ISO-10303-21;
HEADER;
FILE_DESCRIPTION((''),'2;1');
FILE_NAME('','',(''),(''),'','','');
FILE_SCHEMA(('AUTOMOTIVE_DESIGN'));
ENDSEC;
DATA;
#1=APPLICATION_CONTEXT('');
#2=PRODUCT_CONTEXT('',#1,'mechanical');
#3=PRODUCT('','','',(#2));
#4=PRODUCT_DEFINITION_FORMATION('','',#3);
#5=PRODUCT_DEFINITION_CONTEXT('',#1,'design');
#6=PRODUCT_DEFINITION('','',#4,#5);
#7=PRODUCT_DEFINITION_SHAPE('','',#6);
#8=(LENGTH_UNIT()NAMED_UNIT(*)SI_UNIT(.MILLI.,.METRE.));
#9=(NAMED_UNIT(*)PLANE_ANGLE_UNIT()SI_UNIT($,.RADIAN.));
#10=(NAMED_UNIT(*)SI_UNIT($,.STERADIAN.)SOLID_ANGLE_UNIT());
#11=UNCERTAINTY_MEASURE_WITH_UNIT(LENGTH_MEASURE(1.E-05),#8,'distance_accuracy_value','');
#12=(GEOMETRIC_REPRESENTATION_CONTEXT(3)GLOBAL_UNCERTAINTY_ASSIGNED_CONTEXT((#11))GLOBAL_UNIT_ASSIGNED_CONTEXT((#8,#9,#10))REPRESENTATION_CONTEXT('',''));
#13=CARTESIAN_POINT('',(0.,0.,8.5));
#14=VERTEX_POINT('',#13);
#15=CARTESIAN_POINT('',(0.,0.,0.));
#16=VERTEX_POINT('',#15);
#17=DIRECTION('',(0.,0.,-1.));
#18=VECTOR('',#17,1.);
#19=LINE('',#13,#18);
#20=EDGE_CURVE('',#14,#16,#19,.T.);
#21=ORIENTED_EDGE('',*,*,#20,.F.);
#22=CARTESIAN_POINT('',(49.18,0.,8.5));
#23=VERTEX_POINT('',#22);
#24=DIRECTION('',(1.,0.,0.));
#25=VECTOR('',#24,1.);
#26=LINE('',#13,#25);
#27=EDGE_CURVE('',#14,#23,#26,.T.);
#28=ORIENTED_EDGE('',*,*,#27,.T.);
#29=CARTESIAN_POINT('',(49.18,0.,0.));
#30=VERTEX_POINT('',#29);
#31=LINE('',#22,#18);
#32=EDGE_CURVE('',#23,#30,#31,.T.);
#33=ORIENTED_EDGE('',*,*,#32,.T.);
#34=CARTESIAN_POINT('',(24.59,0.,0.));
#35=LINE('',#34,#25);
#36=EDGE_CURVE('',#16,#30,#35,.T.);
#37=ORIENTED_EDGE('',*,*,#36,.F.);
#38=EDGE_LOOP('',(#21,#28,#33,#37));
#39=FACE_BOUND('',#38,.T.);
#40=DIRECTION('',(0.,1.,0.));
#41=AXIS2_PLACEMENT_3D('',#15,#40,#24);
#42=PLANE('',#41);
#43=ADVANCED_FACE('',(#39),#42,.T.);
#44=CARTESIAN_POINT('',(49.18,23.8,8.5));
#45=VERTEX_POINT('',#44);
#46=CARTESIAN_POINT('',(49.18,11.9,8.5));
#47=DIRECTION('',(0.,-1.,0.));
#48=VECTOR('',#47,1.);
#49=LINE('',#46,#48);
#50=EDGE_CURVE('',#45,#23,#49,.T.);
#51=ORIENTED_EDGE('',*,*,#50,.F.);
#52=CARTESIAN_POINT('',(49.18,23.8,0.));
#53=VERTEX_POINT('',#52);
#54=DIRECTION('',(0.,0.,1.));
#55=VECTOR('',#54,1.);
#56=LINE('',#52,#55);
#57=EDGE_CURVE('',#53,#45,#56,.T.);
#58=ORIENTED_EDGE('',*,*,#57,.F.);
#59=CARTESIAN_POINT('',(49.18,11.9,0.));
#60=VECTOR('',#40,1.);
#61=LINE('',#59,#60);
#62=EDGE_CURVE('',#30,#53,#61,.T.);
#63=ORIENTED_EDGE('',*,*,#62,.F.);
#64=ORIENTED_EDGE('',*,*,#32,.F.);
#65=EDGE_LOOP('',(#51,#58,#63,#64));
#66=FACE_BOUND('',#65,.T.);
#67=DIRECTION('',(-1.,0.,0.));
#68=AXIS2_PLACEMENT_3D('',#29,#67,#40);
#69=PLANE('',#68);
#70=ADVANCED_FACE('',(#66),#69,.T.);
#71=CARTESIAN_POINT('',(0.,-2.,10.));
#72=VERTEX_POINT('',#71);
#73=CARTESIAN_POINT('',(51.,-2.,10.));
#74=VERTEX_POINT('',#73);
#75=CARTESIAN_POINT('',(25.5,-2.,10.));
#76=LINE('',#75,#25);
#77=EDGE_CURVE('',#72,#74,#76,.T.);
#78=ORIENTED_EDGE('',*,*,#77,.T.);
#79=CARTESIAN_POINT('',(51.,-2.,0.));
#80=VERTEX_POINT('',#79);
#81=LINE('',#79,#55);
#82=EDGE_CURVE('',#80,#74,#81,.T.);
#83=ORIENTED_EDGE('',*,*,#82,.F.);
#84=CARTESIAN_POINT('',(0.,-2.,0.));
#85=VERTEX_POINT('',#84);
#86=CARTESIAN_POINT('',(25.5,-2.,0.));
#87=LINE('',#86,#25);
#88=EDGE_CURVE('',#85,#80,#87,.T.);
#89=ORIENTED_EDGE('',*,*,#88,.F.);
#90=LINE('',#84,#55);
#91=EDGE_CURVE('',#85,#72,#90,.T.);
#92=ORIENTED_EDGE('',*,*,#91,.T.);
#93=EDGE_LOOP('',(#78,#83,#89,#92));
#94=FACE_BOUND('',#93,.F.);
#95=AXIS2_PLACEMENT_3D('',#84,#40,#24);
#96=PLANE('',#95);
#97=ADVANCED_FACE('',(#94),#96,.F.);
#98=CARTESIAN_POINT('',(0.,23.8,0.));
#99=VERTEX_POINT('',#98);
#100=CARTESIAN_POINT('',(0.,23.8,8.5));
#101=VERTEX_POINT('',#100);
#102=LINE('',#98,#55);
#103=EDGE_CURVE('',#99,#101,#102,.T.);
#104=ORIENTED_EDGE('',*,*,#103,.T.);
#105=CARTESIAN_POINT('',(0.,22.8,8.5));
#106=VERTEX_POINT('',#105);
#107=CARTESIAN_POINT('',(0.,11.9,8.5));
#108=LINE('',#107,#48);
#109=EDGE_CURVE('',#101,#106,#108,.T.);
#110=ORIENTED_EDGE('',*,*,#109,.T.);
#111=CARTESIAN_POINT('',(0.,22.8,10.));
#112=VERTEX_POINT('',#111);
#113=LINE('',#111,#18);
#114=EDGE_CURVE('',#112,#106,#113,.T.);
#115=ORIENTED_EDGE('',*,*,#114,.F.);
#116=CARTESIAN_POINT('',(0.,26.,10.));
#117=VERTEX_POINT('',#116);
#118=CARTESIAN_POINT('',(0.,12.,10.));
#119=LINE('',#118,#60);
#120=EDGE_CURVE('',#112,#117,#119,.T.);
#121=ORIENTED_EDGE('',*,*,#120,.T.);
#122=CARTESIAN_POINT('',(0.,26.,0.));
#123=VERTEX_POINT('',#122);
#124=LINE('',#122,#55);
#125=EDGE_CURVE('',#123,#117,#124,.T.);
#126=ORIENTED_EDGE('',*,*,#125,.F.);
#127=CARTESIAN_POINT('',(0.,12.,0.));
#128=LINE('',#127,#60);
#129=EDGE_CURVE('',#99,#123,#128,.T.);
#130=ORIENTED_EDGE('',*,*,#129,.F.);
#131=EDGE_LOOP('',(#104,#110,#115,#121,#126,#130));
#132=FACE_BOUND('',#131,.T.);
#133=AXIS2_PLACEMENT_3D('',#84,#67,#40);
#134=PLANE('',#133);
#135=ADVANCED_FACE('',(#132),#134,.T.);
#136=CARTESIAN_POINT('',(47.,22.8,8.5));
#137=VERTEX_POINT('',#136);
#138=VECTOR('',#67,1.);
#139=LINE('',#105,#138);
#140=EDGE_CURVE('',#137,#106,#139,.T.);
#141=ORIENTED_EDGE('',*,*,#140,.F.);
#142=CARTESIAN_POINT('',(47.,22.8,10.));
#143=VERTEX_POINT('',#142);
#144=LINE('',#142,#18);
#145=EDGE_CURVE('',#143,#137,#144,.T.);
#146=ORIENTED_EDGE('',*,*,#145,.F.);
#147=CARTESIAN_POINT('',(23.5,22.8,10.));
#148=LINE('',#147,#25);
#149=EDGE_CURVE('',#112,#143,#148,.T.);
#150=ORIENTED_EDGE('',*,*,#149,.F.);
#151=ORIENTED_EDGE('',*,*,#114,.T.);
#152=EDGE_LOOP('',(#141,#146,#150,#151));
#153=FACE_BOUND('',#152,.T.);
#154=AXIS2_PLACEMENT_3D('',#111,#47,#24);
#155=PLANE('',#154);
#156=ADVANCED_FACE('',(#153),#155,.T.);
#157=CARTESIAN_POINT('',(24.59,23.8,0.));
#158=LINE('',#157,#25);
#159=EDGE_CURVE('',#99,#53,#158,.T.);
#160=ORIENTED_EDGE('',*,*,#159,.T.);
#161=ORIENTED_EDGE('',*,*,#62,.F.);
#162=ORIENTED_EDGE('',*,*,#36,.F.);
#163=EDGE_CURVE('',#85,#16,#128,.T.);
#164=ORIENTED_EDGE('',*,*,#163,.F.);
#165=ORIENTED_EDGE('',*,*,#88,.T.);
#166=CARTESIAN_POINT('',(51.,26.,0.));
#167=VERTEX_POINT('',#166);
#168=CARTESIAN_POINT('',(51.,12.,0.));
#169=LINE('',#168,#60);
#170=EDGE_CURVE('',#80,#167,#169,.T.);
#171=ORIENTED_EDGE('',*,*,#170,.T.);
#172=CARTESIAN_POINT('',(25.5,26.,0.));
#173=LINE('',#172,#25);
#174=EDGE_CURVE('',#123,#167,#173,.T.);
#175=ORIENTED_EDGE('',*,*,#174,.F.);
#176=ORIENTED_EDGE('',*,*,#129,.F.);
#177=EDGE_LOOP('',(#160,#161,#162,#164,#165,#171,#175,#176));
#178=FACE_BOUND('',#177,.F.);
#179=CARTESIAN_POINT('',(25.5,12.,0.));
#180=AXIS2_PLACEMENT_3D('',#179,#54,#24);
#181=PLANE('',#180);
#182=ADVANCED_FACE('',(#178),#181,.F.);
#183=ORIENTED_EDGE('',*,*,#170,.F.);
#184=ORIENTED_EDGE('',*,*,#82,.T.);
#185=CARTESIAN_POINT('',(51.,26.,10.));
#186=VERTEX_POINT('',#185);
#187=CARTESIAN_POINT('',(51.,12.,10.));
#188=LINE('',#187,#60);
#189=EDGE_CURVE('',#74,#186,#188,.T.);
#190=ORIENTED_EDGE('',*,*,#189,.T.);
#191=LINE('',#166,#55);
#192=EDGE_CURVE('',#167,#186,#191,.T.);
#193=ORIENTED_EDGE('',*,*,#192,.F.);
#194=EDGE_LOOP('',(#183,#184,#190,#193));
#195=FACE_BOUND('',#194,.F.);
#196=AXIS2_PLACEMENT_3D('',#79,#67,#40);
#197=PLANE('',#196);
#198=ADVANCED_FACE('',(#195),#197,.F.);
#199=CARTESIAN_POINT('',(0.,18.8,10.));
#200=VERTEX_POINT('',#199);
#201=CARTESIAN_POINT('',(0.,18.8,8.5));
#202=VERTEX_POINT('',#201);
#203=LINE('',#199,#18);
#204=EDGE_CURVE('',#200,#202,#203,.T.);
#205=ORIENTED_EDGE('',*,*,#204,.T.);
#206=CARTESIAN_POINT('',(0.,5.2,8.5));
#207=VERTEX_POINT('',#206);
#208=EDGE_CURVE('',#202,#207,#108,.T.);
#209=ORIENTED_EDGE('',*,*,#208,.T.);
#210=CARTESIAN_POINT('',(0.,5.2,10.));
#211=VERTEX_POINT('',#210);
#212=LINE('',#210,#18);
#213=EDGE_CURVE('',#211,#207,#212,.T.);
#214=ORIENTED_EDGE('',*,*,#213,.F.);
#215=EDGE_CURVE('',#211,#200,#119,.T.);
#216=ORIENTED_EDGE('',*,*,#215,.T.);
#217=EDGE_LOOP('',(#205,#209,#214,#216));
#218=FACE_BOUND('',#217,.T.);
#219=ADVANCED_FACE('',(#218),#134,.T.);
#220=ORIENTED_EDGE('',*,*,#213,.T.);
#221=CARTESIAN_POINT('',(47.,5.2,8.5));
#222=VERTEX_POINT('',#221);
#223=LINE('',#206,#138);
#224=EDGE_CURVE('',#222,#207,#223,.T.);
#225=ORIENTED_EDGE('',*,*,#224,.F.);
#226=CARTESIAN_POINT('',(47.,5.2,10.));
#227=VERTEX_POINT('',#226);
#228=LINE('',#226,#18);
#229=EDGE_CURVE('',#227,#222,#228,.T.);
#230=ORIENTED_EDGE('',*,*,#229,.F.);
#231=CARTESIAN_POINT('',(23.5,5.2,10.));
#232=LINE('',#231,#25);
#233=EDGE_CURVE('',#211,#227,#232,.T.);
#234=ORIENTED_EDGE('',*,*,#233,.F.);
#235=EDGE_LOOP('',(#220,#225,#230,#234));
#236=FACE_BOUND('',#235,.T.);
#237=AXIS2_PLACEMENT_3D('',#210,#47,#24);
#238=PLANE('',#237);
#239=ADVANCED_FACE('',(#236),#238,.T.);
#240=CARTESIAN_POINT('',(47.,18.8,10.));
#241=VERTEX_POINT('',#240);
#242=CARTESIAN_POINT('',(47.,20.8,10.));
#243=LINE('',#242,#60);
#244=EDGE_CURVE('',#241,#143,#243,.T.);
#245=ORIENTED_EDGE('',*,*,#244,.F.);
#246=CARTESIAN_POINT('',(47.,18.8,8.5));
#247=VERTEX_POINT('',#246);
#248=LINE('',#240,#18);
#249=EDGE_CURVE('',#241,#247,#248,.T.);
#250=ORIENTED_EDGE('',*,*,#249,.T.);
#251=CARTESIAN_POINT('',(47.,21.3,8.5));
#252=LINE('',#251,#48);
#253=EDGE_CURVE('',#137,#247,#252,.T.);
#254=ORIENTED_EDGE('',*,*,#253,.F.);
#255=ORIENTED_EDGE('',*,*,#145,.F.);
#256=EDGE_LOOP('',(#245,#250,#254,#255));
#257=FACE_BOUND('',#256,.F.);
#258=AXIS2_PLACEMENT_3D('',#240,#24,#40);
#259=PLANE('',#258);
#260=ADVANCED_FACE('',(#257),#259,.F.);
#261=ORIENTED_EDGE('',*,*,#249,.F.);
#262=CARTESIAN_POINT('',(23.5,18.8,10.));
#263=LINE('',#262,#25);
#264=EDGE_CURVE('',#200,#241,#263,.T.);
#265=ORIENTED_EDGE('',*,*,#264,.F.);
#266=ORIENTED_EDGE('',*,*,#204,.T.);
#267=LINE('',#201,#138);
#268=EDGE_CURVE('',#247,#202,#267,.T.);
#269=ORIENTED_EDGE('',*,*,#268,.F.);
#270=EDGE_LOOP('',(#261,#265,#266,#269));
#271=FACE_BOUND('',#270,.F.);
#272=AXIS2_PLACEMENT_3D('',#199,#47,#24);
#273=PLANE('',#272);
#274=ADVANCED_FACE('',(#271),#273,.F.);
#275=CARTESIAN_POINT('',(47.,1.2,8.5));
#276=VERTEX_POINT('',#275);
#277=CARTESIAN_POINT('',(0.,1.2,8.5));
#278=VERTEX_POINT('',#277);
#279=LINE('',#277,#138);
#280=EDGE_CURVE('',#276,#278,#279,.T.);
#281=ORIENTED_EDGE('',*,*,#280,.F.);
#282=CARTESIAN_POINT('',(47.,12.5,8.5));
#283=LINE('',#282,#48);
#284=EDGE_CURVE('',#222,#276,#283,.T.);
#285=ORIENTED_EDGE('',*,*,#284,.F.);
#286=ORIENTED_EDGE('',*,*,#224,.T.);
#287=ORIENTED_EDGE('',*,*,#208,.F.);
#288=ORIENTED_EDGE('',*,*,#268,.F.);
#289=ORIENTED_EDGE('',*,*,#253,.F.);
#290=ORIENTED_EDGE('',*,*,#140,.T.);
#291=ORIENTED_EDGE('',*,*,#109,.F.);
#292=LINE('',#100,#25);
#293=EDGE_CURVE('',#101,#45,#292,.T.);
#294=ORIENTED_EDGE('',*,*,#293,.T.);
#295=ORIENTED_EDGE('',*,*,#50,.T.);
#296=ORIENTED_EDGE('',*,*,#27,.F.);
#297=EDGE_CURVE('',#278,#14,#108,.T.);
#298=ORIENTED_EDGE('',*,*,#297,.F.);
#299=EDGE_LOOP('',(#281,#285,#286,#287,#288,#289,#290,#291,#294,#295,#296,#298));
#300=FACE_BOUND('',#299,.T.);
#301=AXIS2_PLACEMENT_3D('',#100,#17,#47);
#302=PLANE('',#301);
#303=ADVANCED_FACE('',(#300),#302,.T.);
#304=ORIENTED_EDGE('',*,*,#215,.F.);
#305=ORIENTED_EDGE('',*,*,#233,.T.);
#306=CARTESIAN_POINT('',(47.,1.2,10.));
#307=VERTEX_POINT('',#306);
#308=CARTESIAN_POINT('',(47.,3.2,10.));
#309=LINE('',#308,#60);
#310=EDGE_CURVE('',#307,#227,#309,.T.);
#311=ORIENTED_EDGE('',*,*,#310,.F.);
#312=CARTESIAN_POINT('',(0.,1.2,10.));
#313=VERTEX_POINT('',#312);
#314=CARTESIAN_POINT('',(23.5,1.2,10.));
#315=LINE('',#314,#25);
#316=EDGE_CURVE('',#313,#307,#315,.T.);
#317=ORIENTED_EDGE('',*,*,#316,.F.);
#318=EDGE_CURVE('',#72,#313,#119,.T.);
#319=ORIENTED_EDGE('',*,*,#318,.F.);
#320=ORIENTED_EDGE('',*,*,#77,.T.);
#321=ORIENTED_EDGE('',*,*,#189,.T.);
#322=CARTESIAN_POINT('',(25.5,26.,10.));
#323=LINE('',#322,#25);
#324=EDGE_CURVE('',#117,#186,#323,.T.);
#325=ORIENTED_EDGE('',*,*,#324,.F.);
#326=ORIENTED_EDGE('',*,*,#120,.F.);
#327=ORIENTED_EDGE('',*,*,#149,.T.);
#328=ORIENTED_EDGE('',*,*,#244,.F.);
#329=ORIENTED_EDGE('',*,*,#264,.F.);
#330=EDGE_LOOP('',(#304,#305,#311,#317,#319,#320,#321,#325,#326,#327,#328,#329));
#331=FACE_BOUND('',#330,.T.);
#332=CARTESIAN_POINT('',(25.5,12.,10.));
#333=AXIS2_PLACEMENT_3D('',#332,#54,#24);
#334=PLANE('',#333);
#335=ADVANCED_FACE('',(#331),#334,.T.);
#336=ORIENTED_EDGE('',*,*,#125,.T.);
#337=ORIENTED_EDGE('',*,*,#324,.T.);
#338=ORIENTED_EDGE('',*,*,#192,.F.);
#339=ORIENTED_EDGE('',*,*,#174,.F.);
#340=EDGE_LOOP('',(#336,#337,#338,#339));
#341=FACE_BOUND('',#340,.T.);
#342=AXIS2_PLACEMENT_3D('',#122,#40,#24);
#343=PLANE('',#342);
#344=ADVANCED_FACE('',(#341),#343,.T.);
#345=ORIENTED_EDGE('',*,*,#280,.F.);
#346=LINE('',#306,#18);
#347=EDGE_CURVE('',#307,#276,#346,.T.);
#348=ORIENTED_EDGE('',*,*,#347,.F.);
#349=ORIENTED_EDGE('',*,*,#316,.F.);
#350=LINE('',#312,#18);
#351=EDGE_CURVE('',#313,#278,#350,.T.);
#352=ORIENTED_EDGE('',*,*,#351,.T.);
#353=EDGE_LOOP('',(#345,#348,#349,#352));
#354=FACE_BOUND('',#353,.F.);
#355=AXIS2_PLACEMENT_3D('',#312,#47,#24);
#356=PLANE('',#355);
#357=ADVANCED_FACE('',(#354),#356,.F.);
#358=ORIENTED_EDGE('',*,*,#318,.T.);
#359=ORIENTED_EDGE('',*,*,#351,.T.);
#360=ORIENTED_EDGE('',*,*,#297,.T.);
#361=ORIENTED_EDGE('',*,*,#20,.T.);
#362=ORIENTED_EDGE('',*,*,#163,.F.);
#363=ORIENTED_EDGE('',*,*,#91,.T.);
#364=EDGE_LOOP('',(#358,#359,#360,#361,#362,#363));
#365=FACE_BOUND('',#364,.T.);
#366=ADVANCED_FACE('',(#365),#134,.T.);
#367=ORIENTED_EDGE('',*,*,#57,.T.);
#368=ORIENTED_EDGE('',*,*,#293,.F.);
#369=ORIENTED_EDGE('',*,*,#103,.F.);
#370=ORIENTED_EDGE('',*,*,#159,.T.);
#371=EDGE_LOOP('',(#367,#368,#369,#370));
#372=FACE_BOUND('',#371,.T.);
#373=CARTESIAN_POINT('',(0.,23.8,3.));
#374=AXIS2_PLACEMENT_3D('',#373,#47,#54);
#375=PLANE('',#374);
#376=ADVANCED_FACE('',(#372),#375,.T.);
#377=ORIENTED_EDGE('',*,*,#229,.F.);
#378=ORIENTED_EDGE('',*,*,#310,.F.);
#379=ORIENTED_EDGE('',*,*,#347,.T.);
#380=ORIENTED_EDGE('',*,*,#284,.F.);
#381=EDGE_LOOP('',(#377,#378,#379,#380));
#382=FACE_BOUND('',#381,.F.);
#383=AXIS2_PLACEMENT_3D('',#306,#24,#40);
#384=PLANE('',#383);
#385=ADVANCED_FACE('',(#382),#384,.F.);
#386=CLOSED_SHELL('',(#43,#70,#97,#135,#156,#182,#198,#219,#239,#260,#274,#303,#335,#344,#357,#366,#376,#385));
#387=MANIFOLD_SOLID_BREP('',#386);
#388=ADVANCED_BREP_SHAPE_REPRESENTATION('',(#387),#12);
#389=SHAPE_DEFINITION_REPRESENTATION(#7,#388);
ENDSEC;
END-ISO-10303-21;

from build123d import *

# Parameters (mm, degrees)
BOX_W           = 49.18
BOX_H           = 23.8
BOX_DEPTH       = 5
SKETCH_W        = 43.2
SKETCH_H        = 17.8
POCKET_DEPTH    = 2
SKETCH001_W     = 3
SKETCH001_H     = 9
POCKET002_DEPTH = 2
BOX001_W        = 51
BOX001_H        = 28
BOX001_DEPTH    = 10
SKETCH002_W     = 23.8
SKETCH002_H     = 5.5
POCKET003_DEPTH = 49.18
SKETCH003_W     = 47
SKETCH003_H     = 4
POCKET004_DEPTH = 5


with BuildPart() as pocket002:
    # Box → Box (new body)
    with BuildSketch(Plane.XY):
        with Locations((24.59, 11.9)):
            Rectangle(BOX_W, BOX_H)
    extrude(amount=BOX_DEPTH)

    # Sketch → Pocket (cut)
    with BuildSketch(Plane.XY.offset(5)):
        with Locations((24.6, 11.9)):
            Rectangle(SKETCH_W, SKETCH_H)
    extrude(amount=-POCKET_DEPTH, mode=Mode.SUBTRACT)

    # Sketch001 → Pocket002 (cut)
    with BuildSketch(Plane.XY.offset(5)):
        with Locations((1.5, 11.9)):
            Rectangle(SKETCH001_W, SKETCH001_H)
    extrude(amount=-POCKET002_DEPTH, mode=Mode.SUBTRACT)


with BuildPart() as pocket004:
    # Box001 → Box001 (new body)
    with BuildSketch(Plane(origin=(0, -2, 0), x_dir=(1, 0, 0), z_dir=(0, 0, 1))):
        with Locations((25.5, 14)):
            Rectangle(BOX001_W, BOX001_H)
    extrude(amount=BOX001_DEPTH)

    # Cut: cut Pocket002
    add(pocket002.part, mode=Mode.SUBTRACT)

    # Sketch002 → Pocket003 (cut)
    with BuildSketch(Plane(origin=(0, 0, 0), x_dir=(0, -1, 0), z_dir=(-1, 0, 0))):
        with Locations((-11.9, 5.75)):
            Rectangle(SKETCH002_W, SKETCH002_H)
    extrude(amount=-POCKET003_DEPTH, mode=Mode.SUBTRACT)

    # Sketch003 → Pocket004 (cut)
    with BuildSketch(Plane.XY.offset(10)):
        with Locations((23.5, 20.8)):
            Rectangle(SKETCH003_W, SKETCH003_H)
        with Locations((23.5, 3.2)):
            Rectangle(SKETCH003_W, SKETCH003_H)
    extrude(amount=-POCKET004_DEPTH, mode=Mode.SUBTRACT)


solid = pocket004.part
